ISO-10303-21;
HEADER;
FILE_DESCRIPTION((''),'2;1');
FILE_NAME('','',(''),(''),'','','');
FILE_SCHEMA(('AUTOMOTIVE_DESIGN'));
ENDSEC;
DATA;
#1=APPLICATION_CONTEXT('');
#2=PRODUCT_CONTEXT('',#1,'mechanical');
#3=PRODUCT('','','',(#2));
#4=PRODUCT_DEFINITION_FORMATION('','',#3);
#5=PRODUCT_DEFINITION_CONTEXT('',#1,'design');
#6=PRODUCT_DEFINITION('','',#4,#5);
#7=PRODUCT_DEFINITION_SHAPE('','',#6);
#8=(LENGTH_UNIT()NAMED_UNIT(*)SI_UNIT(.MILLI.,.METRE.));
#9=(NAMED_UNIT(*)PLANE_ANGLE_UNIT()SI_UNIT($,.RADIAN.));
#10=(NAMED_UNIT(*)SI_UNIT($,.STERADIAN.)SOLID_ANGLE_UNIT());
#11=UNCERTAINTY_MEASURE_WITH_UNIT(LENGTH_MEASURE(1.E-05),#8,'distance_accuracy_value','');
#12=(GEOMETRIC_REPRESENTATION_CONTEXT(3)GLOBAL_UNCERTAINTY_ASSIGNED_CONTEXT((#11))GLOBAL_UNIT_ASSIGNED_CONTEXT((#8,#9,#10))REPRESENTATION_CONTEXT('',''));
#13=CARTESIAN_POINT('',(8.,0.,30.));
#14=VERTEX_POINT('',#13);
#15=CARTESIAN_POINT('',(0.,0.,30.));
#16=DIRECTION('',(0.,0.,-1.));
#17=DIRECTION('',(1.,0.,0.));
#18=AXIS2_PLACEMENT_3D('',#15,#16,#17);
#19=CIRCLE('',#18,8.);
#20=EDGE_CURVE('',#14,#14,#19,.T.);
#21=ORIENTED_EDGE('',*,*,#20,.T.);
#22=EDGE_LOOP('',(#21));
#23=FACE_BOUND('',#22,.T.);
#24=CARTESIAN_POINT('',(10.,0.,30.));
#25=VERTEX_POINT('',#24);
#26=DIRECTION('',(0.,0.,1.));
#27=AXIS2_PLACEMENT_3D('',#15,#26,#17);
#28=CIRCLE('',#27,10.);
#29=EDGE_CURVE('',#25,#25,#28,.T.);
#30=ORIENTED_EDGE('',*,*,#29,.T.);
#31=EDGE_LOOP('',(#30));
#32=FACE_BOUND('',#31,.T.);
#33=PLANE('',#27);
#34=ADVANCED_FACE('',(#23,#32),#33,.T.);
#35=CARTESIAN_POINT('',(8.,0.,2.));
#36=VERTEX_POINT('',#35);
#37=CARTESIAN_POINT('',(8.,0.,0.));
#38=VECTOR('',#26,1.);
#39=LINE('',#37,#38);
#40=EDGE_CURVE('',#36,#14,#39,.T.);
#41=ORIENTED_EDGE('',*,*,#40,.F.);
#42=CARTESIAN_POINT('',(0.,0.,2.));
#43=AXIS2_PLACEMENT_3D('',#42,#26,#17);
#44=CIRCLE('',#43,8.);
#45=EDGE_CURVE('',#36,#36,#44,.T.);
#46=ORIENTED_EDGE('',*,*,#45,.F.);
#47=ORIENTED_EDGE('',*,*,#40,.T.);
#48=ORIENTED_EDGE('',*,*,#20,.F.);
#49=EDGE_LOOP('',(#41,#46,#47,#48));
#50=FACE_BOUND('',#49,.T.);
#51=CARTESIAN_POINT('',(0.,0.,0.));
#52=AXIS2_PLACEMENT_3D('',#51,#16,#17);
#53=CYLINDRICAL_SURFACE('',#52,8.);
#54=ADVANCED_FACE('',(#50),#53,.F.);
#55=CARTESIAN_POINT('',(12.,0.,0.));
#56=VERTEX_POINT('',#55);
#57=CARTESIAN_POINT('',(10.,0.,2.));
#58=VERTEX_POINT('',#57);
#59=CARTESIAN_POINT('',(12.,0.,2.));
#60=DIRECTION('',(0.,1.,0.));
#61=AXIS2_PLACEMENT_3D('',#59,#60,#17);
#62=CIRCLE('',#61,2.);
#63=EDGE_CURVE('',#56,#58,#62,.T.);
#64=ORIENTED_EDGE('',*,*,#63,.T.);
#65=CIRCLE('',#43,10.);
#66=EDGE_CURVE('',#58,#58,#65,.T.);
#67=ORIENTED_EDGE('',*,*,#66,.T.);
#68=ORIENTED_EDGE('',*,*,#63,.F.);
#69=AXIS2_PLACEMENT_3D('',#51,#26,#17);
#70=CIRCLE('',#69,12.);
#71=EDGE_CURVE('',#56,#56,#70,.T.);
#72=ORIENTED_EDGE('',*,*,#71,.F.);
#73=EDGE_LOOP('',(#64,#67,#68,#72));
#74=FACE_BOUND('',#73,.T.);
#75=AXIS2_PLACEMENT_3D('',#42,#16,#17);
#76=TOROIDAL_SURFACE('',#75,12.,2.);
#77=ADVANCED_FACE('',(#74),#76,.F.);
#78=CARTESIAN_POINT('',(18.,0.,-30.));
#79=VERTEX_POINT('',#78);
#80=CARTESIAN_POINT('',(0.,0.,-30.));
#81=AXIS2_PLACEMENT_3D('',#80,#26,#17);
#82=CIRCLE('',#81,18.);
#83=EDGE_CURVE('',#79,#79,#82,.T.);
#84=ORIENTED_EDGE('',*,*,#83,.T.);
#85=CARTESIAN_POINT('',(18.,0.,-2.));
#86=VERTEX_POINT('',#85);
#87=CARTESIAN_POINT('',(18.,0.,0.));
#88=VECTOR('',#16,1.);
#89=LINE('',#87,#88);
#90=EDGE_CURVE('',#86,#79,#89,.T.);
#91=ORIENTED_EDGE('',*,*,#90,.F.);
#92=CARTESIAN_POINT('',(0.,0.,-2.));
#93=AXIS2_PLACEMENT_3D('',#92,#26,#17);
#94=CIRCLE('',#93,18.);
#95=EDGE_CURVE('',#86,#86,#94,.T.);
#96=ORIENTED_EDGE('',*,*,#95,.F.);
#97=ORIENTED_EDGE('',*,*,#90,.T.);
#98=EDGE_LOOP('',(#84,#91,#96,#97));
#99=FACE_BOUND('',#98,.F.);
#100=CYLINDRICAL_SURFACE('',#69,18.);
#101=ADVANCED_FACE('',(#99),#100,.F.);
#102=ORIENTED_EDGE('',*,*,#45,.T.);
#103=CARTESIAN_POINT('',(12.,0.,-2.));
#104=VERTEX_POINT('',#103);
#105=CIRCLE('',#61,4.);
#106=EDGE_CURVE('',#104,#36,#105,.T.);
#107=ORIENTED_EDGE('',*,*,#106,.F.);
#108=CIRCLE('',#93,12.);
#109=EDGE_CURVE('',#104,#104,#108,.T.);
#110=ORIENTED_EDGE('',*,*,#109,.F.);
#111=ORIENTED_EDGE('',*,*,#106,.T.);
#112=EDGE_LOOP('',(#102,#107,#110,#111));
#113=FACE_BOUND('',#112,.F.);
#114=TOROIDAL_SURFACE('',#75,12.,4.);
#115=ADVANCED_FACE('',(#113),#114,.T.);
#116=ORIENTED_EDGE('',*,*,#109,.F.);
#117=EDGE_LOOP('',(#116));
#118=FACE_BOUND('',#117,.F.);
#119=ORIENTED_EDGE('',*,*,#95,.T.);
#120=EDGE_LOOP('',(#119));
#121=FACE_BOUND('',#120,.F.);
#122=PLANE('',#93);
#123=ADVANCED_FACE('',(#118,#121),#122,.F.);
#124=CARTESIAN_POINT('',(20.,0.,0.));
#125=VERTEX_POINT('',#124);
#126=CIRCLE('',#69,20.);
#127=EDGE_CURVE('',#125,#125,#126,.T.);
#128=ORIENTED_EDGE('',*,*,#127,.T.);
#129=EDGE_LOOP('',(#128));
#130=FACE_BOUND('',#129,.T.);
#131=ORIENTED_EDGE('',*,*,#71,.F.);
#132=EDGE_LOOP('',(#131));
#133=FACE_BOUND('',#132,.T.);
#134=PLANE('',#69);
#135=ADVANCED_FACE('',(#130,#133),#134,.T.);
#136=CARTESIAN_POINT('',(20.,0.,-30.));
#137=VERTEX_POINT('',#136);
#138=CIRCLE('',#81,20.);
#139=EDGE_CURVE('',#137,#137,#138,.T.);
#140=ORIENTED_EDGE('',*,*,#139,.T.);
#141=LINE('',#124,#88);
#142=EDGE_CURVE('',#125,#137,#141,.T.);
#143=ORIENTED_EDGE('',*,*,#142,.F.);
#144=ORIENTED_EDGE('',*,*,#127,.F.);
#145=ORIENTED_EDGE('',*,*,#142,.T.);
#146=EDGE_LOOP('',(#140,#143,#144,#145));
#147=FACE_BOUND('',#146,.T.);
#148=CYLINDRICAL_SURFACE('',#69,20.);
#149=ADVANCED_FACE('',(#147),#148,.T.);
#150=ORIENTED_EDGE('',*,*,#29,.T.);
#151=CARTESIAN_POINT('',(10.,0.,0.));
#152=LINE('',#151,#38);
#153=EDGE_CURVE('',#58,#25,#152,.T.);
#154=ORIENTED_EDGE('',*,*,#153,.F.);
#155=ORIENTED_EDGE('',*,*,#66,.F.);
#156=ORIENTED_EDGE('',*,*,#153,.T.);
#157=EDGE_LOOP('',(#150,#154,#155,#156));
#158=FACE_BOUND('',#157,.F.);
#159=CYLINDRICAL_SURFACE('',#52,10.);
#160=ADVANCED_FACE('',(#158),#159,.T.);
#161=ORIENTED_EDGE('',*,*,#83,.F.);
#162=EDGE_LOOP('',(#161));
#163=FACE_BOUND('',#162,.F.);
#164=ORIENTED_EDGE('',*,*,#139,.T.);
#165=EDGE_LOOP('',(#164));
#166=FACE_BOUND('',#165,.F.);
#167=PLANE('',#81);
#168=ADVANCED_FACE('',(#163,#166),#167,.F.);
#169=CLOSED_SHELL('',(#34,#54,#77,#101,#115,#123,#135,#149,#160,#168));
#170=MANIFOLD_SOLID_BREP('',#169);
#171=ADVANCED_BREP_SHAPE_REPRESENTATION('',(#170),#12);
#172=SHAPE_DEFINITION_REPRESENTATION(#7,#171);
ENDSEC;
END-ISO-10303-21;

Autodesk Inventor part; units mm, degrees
ref_plane "YZ Plane" through (0, 0, 0) normal (1, 0, 0) x (0, 1, 0)
ref_plane "XZ Plane" through (0, 0, 0) normal (0, 1, 0) x (-1, 0, 0)
ref_plane "XY Plane" through (0, 0, 0) normal (0, 0, 1) x (1, 0, 0)
sketch "Sketch1" plane through (0, 0, 0) normal (0, 0, 1) x (1, 0, 0)
  circle A0 centre (0, 0) radius 20
  dimension "d0" = 40
extrude "Extrusion1" add sketch "Sketch1" against normal blind 30
sketch "Sketch2" plane through (0, 0, 0) normal (0, 0, 1) x (1, 0, 0)
  circle A0 centre (0, 0) radius 10
  dimension "d4" = 20
extrude "Extrusion2" add sketch "Sketch2" along normal blind 30
fillet "Fillet1" radius 2 1 edges at (-10, 0, 0)
shell "Shell1" thickness 2 removed faces 2 at (-2.364, 6.2334, -30) at (-1.182, 3.1167, 30)
